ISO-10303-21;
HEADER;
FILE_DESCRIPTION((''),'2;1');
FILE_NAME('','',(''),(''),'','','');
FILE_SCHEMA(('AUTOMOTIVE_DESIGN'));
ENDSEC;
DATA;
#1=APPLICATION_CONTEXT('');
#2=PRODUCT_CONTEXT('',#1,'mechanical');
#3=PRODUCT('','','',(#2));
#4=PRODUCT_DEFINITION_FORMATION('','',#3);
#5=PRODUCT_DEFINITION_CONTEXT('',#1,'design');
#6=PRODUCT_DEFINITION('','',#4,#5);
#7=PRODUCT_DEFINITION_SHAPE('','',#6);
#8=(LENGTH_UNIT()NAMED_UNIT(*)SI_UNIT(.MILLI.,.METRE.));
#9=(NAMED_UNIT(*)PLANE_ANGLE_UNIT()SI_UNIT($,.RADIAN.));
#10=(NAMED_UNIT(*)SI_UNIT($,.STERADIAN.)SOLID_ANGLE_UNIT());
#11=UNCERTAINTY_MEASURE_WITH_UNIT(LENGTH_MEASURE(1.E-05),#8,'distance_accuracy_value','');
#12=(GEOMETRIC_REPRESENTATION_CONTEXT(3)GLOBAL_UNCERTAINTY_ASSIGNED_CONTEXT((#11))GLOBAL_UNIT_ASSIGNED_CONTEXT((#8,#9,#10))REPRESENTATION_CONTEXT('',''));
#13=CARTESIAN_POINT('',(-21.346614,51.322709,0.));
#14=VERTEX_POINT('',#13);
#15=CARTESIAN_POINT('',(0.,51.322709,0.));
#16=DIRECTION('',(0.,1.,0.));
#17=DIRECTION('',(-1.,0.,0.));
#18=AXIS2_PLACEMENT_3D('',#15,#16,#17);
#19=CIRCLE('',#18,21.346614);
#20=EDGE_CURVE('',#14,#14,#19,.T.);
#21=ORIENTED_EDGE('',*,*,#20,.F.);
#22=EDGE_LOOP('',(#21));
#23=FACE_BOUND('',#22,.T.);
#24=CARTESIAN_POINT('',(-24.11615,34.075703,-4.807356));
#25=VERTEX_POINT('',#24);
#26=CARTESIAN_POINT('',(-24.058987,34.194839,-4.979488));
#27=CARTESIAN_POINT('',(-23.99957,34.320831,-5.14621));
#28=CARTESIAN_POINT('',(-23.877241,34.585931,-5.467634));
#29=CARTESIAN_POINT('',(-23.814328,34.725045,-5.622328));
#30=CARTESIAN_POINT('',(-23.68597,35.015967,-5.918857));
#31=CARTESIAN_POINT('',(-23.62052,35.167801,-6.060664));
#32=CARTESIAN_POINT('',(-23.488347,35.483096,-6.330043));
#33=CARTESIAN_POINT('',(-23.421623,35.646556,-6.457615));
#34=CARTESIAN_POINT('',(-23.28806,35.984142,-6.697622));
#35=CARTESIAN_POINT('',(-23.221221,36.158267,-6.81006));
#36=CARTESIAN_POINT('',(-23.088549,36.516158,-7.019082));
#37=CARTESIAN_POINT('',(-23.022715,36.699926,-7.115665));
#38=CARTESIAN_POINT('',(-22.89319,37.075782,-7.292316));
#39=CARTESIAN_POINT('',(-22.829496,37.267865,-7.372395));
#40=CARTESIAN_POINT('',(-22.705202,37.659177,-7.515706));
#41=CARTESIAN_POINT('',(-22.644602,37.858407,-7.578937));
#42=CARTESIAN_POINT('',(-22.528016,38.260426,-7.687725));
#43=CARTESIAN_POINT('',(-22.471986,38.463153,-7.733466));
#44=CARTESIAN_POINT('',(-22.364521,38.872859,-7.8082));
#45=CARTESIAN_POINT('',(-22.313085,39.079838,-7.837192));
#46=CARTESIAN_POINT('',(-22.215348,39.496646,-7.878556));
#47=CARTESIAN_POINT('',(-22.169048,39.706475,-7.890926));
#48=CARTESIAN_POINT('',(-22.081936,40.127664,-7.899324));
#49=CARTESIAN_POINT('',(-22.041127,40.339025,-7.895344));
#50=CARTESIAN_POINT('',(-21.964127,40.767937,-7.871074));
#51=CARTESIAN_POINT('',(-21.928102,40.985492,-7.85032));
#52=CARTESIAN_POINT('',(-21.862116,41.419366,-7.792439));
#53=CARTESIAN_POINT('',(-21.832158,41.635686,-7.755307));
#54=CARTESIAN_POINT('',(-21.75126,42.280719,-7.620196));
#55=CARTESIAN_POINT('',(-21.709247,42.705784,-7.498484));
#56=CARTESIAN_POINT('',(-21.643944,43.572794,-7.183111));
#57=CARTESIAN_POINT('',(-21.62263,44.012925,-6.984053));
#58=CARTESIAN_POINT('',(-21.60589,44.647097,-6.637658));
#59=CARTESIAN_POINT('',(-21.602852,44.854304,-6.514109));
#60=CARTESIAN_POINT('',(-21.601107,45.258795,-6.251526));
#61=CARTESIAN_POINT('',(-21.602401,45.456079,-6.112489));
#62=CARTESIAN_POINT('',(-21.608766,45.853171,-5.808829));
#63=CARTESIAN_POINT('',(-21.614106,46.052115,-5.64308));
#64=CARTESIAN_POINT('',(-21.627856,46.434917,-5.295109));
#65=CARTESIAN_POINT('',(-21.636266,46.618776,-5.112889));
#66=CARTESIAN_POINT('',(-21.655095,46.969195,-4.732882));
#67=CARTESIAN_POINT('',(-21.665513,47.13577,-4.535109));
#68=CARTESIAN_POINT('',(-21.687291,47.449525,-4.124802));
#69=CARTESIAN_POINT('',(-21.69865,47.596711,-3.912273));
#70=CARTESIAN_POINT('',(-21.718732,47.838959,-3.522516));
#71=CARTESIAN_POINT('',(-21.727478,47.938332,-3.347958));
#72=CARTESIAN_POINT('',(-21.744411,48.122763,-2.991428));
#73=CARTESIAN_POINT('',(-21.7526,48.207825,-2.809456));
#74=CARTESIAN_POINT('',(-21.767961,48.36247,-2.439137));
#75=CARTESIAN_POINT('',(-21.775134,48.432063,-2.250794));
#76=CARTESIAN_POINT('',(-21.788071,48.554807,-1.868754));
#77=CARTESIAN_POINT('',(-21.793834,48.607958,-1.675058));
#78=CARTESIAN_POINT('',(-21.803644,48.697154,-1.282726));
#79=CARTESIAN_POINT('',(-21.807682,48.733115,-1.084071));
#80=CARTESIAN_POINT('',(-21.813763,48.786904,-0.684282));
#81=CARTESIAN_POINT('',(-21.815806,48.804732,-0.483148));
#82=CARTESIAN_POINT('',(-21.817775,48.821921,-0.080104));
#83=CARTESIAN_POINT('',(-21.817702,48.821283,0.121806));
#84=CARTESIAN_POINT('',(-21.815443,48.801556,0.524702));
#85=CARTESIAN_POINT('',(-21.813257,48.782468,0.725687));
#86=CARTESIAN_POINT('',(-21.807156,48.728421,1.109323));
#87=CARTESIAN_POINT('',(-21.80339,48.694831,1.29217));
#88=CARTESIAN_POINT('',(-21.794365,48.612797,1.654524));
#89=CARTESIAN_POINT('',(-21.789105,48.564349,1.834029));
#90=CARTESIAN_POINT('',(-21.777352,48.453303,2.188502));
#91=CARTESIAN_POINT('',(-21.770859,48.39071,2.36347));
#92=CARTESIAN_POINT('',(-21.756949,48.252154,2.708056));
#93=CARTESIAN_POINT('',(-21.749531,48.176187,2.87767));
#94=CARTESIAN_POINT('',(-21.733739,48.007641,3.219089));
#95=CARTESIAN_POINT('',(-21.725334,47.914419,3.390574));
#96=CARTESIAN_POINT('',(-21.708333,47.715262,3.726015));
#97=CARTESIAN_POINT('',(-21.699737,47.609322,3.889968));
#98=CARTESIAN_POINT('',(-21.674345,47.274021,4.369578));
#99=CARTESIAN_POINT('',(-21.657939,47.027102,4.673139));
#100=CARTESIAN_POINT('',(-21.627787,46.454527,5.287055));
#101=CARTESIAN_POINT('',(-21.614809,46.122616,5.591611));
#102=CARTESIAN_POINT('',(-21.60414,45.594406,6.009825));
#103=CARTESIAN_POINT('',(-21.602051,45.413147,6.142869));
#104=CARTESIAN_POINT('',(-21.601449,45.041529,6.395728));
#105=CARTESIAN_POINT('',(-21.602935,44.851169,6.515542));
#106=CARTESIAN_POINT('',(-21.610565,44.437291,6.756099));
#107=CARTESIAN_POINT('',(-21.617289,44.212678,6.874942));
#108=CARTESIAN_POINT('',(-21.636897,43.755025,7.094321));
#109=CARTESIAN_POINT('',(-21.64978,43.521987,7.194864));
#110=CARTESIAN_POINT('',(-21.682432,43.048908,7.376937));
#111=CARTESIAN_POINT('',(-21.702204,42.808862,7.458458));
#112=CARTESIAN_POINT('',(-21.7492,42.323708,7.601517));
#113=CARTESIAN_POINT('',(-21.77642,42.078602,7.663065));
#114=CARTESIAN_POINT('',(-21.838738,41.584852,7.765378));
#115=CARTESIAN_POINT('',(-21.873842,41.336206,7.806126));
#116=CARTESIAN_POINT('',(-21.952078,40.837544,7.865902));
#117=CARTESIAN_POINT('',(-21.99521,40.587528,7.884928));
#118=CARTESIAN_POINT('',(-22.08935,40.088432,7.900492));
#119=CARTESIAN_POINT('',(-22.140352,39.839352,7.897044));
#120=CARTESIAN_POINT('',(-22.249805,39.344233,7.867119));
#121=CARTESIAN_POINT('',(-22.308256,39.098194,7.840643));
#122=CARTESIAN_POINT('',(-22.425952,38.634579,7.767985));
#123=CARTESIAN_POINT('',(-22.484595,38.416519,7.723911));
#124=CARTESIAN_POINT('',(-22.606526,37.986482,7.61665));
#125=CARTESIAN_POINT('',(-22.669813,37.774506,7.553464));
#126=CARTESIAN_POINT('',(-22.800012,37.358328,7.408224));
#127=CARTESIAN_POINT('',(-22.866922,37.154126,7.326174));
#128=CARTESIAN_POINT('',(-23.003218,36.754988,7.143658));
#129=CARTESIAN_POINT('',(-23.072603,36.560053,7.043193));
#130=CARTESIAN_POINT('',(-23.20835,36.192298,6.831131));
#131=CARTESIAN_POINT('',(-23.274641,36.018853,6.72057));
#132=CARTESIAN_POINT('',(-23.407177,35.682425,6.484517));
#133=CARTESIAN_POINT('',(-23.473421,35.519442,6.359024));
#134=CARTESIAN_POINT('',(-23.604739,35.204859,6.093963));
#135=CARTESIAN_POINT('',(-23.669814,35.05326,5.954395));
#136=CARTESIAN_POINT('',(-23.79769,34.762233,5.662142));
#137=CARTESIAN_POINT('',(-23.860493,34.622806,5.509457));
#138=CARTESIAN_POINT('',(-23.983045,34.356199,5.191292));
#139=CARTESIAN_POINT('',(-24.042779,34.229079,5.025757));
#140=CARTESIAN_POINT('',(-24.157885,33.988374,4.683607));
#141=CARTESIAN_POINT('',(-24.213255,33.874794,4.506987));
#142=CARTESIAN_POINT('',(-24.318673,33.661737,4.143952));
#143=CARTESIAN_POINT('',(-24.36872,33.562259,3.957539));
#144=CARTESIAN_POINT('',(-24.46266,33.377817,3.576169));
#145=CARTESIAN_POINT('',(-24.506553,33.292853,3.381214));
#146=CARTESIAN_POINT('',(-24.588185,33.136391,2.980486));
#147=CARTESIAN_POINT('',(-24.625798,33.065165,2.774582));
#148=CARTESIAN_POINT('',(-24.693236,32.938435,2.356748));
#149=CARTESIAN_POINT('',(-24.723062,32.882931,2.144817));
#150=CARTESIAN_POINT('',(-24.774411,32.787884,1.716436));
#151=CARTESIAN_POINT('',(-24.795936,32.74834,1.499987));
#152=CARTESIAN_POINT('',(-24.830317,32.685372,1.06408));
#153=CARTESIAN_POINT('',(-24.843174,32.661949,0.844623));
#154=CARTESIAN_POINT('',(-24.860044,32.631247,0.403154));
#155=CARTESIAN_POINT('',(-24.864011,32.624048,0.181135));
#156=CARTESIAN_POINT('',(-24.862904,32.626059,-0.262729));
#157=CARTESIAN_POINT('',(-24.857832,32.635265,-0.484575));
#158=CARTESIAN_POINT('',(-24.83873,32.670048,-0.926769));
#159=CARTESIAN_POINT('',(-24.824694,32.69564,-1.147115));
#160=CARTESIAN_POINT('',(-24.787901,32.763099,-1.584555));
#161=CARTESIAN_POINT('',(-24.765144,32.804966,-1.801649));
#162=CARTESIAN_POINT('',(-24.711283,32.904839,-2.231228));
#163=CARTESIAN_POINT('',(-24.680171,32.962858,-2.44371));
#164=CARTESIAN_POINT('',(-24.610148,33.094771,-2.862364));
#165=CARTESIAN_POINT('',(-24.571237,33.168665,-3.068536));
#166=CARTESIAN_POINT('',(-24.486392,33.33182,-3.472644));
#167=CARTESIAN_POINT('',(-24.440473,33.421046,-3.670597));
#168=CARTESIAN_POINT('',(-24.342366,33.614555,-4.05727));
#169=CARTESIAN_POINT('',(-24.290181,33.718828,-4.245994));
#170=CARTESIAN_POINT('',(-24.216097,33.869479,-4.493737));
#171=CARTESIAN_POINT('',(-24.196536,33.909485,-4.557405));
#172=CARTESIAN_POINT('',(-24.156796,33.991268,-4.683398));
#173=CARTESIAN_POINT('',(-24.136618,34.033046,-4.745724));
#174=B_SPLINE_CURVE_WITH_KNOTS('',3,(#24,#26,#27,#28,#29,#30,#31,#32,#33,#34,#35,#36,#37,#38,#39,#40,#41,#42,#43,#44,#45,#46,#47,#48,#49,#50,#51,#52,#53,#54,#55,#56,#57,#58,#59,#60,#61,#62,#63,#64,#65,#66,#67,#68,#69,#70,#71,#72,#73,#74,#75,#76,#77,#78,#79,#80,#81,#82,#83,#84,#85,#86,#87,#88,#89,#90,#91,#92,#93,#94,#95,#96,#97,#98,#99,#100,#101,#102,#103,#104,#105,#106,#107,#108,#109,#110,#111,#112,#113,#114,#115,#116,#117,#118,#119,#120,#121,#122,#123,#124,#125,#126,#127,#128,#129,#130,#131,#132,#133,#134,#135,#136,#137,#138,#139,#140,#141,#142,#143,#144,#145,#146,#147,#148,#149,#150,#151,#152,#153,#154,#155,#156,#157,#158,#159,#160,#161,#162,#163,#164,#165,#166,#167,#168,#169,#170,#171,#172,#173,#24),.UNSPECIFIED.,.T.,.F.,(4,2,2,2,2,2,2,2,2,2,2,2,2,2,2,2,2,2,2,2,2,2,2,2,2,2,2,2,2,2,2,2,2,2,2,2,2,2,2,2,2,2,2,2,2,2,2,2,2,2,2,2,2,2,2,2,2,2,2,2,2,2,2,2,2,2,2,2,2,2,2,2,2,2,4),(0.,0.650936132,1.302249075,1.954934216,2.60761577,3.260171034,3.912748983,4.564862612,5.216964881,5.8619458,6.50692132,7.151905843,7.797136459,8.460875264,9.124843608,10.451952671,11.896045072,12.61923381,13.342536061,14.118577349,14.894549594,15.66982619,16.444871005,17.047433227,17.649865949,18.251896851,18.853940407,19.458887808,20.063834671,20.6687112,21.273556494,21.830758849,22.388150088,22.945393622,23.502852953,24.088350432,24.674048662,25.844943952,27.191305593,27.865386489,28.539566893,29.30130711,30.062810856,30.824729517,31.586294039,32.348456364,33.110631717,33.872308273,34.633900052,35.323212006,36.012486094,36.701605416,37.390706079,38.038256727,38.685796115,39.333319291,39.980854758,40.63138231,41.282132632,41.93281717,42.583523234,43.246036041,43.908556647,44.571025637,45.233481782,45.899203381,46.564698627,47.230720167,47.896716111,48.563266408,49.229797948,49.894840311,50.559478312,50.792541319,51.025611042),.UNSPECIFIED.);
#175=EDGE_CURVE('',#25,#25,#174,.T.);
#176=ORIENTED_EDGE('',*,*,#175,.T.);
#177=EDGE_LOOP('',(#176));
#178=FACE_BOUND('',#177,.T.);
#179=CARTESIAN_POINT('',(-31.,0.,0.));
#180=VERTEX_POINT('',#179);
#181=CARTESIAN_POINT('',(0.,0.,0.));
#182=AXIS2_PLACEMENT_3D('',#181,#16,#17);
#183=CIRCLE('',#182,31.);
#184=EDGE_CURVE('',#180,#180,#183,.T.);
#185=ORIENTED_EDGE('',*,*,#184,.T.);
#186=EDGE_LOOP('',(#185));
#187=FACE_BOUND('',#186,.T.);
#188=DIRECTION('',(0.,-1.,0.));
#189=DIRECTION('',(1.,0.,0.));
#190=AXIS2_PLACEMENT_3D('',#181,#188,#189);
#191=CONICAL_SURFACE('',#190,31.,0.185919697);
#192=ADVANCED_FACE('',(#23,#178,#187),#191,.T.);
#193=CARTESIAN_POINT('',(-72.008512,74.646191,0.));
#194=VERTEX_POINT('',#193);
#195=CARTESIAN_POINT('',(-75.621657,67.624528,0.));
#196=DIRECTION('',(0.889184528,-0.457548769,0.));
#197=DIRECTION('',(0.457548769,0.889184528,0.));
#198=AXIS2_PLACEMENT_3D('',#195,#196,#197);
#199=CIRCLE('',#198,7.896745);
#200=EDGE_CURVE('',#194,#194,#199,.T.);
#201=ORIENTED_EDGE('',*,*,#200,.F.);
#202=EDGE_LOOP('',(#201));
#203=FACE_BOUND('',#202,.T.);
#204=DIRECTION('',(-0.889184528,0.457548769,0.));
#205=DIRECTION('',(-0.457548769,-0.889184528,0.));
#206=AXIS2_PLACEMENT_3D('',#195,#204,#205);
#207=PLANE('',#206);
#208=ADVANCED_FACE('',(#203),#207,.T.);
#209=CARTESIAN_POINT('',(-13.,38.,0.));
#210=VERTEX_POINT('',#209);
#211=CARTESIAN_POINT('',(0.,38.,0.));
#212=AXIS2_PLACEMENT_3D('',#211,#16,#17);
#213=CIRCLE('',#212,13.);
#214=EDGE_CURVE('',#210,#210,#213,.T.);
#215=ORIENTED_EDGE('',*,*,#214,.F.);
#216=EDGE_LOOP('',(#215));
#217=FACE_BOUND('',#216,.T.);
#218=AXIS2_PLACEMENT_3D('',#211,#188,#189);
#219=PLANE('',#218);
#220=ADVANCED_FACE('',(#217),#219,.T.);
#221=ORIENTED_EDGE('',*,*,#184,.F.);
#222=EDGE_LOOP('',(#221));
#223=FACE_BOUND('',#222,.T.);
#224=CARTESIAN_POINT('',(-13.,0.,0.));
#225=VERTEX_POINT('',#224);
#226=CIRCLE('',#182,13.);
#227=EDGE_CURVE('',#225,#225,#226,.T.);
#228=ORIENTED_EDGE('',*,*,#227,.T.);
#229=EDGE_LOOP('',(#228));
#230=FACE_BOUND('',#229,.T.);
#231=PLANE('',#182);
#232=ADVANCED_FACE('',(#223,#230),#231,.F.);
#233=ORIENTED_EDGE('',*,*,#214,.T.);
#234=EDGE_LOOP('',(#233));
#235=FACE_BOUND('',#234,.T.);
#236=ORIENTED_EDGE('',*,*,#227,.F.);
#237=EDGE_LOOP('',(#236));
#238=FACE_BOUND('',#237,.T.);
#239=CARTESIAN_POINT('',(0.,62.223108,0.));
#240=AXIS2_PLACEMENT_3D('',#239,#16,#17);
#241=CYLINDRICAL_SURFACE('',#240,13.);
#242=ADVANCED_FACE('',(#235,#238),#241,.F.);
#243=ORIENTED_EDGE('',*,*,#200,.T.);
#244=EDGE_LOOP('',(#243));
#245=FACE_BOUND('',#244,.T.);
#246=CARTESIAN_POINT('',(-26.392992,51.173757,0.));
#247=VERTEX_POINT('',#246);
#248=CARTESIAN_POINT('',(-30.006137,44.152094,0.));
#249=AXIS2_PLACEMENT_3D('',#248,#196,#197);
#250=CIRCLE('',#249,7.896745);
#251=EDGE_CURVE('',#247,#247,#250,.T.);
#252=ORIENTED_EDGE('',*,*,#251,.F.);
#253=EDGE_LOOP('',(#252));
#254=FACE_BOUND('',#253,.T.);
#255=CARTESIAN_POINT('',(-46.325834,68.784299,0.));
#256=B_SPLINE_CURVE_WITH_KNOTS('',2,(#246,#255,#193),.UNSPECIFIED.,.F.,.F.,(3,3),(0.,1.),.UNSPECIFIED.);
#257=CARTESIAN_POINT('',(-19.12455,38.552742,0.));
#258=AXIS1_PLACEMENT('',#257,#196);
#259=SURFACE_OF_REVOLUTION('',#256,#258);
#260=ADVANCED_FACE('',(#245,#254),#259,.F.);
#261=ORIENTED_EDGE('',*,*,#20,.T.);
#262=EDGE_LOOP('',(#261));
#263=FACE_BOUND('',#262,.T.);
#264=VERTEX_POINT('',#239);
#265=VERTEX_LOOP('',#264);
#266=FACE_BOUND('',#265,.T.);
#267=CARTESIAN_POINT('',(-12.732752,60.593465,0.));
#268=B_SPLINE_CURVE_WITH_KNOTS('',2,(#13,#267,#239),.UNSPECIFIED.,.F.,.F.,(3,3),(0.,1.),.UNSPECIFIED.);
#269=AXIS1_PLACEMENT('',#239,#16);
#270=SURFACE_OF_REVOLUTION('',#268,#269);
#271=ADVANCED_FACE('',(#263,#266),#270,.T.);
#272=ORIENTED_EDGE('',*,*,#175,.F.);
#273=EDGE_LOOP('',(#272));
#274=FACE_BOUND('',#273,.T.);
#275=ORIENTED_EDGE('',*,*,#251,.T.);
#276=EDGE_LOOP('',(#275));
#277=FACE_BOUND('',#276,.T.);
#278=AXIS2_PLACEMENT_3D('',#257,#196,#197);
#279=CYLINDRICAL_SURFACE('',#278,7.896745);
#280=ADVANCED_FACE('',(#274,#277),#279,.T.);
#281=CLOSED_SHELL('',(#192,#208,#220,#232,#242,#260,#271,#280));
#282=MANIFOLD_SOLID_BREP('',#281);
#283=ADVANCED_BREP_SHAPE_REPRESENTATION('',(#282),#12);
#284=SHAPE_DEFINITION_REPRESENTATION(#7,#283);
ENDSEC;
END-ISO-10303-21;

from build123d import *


with BuildPart() as part:
    # Sketch1 → Revolve2 (revolve)
    with BuildSketch(Plane.XY):
        with BuildLine():
            Line((-21.346613546, 51.322709163), (-31, 0))
            Line((-31, 0), (-13, 0))
            Line((-13, 0), (-13, 38))
            Line((-13, 38), (0, 38))
            Line((0, 38), (0, 62.22310757))
            add(Edge.make_bspline(
                [(-21.346613546, 51.322709163), (-12.732751992, 60.593465444), (0, 62.22310757)],
                knots=[0, 0, 0, 1, 1, 1], degree=2))
        make_face()
    revolve(axis=Axis((0, 62.22310757, 0), (0, -1, 0)))

    # Sketch3 → Revolve3 (revolve)
    with BuildSketch(Plane.XY):
        with BuildLine():
            Line((-19.124549702, 38.552742214), (-75.621657411, 67.624527958))
            Line((-75.621657411, 67.624527958), (-72.008511604, 74.646191148))
            add(Edge.make_bspline(
                [(-72.008511604, 74.646191148), (-46.325833762, 68.784299288), (-26.392991631, 51.173757302)],
                knots=[0, 0, 0, 1, 1, 1], degree=2))
            Line((-26.392991631, 51.173757302), (-15.511403895, 45.574405405))
            Line((-15.511403895, 45.574405405), (-19.124549702, 38.552742214))
        make_face()
    revolve(axis=Axis((-19.124549702, 38.552742214, 0), (-0.8891845276201251, 0.4575487688115606, 0)))


solid = part.part
